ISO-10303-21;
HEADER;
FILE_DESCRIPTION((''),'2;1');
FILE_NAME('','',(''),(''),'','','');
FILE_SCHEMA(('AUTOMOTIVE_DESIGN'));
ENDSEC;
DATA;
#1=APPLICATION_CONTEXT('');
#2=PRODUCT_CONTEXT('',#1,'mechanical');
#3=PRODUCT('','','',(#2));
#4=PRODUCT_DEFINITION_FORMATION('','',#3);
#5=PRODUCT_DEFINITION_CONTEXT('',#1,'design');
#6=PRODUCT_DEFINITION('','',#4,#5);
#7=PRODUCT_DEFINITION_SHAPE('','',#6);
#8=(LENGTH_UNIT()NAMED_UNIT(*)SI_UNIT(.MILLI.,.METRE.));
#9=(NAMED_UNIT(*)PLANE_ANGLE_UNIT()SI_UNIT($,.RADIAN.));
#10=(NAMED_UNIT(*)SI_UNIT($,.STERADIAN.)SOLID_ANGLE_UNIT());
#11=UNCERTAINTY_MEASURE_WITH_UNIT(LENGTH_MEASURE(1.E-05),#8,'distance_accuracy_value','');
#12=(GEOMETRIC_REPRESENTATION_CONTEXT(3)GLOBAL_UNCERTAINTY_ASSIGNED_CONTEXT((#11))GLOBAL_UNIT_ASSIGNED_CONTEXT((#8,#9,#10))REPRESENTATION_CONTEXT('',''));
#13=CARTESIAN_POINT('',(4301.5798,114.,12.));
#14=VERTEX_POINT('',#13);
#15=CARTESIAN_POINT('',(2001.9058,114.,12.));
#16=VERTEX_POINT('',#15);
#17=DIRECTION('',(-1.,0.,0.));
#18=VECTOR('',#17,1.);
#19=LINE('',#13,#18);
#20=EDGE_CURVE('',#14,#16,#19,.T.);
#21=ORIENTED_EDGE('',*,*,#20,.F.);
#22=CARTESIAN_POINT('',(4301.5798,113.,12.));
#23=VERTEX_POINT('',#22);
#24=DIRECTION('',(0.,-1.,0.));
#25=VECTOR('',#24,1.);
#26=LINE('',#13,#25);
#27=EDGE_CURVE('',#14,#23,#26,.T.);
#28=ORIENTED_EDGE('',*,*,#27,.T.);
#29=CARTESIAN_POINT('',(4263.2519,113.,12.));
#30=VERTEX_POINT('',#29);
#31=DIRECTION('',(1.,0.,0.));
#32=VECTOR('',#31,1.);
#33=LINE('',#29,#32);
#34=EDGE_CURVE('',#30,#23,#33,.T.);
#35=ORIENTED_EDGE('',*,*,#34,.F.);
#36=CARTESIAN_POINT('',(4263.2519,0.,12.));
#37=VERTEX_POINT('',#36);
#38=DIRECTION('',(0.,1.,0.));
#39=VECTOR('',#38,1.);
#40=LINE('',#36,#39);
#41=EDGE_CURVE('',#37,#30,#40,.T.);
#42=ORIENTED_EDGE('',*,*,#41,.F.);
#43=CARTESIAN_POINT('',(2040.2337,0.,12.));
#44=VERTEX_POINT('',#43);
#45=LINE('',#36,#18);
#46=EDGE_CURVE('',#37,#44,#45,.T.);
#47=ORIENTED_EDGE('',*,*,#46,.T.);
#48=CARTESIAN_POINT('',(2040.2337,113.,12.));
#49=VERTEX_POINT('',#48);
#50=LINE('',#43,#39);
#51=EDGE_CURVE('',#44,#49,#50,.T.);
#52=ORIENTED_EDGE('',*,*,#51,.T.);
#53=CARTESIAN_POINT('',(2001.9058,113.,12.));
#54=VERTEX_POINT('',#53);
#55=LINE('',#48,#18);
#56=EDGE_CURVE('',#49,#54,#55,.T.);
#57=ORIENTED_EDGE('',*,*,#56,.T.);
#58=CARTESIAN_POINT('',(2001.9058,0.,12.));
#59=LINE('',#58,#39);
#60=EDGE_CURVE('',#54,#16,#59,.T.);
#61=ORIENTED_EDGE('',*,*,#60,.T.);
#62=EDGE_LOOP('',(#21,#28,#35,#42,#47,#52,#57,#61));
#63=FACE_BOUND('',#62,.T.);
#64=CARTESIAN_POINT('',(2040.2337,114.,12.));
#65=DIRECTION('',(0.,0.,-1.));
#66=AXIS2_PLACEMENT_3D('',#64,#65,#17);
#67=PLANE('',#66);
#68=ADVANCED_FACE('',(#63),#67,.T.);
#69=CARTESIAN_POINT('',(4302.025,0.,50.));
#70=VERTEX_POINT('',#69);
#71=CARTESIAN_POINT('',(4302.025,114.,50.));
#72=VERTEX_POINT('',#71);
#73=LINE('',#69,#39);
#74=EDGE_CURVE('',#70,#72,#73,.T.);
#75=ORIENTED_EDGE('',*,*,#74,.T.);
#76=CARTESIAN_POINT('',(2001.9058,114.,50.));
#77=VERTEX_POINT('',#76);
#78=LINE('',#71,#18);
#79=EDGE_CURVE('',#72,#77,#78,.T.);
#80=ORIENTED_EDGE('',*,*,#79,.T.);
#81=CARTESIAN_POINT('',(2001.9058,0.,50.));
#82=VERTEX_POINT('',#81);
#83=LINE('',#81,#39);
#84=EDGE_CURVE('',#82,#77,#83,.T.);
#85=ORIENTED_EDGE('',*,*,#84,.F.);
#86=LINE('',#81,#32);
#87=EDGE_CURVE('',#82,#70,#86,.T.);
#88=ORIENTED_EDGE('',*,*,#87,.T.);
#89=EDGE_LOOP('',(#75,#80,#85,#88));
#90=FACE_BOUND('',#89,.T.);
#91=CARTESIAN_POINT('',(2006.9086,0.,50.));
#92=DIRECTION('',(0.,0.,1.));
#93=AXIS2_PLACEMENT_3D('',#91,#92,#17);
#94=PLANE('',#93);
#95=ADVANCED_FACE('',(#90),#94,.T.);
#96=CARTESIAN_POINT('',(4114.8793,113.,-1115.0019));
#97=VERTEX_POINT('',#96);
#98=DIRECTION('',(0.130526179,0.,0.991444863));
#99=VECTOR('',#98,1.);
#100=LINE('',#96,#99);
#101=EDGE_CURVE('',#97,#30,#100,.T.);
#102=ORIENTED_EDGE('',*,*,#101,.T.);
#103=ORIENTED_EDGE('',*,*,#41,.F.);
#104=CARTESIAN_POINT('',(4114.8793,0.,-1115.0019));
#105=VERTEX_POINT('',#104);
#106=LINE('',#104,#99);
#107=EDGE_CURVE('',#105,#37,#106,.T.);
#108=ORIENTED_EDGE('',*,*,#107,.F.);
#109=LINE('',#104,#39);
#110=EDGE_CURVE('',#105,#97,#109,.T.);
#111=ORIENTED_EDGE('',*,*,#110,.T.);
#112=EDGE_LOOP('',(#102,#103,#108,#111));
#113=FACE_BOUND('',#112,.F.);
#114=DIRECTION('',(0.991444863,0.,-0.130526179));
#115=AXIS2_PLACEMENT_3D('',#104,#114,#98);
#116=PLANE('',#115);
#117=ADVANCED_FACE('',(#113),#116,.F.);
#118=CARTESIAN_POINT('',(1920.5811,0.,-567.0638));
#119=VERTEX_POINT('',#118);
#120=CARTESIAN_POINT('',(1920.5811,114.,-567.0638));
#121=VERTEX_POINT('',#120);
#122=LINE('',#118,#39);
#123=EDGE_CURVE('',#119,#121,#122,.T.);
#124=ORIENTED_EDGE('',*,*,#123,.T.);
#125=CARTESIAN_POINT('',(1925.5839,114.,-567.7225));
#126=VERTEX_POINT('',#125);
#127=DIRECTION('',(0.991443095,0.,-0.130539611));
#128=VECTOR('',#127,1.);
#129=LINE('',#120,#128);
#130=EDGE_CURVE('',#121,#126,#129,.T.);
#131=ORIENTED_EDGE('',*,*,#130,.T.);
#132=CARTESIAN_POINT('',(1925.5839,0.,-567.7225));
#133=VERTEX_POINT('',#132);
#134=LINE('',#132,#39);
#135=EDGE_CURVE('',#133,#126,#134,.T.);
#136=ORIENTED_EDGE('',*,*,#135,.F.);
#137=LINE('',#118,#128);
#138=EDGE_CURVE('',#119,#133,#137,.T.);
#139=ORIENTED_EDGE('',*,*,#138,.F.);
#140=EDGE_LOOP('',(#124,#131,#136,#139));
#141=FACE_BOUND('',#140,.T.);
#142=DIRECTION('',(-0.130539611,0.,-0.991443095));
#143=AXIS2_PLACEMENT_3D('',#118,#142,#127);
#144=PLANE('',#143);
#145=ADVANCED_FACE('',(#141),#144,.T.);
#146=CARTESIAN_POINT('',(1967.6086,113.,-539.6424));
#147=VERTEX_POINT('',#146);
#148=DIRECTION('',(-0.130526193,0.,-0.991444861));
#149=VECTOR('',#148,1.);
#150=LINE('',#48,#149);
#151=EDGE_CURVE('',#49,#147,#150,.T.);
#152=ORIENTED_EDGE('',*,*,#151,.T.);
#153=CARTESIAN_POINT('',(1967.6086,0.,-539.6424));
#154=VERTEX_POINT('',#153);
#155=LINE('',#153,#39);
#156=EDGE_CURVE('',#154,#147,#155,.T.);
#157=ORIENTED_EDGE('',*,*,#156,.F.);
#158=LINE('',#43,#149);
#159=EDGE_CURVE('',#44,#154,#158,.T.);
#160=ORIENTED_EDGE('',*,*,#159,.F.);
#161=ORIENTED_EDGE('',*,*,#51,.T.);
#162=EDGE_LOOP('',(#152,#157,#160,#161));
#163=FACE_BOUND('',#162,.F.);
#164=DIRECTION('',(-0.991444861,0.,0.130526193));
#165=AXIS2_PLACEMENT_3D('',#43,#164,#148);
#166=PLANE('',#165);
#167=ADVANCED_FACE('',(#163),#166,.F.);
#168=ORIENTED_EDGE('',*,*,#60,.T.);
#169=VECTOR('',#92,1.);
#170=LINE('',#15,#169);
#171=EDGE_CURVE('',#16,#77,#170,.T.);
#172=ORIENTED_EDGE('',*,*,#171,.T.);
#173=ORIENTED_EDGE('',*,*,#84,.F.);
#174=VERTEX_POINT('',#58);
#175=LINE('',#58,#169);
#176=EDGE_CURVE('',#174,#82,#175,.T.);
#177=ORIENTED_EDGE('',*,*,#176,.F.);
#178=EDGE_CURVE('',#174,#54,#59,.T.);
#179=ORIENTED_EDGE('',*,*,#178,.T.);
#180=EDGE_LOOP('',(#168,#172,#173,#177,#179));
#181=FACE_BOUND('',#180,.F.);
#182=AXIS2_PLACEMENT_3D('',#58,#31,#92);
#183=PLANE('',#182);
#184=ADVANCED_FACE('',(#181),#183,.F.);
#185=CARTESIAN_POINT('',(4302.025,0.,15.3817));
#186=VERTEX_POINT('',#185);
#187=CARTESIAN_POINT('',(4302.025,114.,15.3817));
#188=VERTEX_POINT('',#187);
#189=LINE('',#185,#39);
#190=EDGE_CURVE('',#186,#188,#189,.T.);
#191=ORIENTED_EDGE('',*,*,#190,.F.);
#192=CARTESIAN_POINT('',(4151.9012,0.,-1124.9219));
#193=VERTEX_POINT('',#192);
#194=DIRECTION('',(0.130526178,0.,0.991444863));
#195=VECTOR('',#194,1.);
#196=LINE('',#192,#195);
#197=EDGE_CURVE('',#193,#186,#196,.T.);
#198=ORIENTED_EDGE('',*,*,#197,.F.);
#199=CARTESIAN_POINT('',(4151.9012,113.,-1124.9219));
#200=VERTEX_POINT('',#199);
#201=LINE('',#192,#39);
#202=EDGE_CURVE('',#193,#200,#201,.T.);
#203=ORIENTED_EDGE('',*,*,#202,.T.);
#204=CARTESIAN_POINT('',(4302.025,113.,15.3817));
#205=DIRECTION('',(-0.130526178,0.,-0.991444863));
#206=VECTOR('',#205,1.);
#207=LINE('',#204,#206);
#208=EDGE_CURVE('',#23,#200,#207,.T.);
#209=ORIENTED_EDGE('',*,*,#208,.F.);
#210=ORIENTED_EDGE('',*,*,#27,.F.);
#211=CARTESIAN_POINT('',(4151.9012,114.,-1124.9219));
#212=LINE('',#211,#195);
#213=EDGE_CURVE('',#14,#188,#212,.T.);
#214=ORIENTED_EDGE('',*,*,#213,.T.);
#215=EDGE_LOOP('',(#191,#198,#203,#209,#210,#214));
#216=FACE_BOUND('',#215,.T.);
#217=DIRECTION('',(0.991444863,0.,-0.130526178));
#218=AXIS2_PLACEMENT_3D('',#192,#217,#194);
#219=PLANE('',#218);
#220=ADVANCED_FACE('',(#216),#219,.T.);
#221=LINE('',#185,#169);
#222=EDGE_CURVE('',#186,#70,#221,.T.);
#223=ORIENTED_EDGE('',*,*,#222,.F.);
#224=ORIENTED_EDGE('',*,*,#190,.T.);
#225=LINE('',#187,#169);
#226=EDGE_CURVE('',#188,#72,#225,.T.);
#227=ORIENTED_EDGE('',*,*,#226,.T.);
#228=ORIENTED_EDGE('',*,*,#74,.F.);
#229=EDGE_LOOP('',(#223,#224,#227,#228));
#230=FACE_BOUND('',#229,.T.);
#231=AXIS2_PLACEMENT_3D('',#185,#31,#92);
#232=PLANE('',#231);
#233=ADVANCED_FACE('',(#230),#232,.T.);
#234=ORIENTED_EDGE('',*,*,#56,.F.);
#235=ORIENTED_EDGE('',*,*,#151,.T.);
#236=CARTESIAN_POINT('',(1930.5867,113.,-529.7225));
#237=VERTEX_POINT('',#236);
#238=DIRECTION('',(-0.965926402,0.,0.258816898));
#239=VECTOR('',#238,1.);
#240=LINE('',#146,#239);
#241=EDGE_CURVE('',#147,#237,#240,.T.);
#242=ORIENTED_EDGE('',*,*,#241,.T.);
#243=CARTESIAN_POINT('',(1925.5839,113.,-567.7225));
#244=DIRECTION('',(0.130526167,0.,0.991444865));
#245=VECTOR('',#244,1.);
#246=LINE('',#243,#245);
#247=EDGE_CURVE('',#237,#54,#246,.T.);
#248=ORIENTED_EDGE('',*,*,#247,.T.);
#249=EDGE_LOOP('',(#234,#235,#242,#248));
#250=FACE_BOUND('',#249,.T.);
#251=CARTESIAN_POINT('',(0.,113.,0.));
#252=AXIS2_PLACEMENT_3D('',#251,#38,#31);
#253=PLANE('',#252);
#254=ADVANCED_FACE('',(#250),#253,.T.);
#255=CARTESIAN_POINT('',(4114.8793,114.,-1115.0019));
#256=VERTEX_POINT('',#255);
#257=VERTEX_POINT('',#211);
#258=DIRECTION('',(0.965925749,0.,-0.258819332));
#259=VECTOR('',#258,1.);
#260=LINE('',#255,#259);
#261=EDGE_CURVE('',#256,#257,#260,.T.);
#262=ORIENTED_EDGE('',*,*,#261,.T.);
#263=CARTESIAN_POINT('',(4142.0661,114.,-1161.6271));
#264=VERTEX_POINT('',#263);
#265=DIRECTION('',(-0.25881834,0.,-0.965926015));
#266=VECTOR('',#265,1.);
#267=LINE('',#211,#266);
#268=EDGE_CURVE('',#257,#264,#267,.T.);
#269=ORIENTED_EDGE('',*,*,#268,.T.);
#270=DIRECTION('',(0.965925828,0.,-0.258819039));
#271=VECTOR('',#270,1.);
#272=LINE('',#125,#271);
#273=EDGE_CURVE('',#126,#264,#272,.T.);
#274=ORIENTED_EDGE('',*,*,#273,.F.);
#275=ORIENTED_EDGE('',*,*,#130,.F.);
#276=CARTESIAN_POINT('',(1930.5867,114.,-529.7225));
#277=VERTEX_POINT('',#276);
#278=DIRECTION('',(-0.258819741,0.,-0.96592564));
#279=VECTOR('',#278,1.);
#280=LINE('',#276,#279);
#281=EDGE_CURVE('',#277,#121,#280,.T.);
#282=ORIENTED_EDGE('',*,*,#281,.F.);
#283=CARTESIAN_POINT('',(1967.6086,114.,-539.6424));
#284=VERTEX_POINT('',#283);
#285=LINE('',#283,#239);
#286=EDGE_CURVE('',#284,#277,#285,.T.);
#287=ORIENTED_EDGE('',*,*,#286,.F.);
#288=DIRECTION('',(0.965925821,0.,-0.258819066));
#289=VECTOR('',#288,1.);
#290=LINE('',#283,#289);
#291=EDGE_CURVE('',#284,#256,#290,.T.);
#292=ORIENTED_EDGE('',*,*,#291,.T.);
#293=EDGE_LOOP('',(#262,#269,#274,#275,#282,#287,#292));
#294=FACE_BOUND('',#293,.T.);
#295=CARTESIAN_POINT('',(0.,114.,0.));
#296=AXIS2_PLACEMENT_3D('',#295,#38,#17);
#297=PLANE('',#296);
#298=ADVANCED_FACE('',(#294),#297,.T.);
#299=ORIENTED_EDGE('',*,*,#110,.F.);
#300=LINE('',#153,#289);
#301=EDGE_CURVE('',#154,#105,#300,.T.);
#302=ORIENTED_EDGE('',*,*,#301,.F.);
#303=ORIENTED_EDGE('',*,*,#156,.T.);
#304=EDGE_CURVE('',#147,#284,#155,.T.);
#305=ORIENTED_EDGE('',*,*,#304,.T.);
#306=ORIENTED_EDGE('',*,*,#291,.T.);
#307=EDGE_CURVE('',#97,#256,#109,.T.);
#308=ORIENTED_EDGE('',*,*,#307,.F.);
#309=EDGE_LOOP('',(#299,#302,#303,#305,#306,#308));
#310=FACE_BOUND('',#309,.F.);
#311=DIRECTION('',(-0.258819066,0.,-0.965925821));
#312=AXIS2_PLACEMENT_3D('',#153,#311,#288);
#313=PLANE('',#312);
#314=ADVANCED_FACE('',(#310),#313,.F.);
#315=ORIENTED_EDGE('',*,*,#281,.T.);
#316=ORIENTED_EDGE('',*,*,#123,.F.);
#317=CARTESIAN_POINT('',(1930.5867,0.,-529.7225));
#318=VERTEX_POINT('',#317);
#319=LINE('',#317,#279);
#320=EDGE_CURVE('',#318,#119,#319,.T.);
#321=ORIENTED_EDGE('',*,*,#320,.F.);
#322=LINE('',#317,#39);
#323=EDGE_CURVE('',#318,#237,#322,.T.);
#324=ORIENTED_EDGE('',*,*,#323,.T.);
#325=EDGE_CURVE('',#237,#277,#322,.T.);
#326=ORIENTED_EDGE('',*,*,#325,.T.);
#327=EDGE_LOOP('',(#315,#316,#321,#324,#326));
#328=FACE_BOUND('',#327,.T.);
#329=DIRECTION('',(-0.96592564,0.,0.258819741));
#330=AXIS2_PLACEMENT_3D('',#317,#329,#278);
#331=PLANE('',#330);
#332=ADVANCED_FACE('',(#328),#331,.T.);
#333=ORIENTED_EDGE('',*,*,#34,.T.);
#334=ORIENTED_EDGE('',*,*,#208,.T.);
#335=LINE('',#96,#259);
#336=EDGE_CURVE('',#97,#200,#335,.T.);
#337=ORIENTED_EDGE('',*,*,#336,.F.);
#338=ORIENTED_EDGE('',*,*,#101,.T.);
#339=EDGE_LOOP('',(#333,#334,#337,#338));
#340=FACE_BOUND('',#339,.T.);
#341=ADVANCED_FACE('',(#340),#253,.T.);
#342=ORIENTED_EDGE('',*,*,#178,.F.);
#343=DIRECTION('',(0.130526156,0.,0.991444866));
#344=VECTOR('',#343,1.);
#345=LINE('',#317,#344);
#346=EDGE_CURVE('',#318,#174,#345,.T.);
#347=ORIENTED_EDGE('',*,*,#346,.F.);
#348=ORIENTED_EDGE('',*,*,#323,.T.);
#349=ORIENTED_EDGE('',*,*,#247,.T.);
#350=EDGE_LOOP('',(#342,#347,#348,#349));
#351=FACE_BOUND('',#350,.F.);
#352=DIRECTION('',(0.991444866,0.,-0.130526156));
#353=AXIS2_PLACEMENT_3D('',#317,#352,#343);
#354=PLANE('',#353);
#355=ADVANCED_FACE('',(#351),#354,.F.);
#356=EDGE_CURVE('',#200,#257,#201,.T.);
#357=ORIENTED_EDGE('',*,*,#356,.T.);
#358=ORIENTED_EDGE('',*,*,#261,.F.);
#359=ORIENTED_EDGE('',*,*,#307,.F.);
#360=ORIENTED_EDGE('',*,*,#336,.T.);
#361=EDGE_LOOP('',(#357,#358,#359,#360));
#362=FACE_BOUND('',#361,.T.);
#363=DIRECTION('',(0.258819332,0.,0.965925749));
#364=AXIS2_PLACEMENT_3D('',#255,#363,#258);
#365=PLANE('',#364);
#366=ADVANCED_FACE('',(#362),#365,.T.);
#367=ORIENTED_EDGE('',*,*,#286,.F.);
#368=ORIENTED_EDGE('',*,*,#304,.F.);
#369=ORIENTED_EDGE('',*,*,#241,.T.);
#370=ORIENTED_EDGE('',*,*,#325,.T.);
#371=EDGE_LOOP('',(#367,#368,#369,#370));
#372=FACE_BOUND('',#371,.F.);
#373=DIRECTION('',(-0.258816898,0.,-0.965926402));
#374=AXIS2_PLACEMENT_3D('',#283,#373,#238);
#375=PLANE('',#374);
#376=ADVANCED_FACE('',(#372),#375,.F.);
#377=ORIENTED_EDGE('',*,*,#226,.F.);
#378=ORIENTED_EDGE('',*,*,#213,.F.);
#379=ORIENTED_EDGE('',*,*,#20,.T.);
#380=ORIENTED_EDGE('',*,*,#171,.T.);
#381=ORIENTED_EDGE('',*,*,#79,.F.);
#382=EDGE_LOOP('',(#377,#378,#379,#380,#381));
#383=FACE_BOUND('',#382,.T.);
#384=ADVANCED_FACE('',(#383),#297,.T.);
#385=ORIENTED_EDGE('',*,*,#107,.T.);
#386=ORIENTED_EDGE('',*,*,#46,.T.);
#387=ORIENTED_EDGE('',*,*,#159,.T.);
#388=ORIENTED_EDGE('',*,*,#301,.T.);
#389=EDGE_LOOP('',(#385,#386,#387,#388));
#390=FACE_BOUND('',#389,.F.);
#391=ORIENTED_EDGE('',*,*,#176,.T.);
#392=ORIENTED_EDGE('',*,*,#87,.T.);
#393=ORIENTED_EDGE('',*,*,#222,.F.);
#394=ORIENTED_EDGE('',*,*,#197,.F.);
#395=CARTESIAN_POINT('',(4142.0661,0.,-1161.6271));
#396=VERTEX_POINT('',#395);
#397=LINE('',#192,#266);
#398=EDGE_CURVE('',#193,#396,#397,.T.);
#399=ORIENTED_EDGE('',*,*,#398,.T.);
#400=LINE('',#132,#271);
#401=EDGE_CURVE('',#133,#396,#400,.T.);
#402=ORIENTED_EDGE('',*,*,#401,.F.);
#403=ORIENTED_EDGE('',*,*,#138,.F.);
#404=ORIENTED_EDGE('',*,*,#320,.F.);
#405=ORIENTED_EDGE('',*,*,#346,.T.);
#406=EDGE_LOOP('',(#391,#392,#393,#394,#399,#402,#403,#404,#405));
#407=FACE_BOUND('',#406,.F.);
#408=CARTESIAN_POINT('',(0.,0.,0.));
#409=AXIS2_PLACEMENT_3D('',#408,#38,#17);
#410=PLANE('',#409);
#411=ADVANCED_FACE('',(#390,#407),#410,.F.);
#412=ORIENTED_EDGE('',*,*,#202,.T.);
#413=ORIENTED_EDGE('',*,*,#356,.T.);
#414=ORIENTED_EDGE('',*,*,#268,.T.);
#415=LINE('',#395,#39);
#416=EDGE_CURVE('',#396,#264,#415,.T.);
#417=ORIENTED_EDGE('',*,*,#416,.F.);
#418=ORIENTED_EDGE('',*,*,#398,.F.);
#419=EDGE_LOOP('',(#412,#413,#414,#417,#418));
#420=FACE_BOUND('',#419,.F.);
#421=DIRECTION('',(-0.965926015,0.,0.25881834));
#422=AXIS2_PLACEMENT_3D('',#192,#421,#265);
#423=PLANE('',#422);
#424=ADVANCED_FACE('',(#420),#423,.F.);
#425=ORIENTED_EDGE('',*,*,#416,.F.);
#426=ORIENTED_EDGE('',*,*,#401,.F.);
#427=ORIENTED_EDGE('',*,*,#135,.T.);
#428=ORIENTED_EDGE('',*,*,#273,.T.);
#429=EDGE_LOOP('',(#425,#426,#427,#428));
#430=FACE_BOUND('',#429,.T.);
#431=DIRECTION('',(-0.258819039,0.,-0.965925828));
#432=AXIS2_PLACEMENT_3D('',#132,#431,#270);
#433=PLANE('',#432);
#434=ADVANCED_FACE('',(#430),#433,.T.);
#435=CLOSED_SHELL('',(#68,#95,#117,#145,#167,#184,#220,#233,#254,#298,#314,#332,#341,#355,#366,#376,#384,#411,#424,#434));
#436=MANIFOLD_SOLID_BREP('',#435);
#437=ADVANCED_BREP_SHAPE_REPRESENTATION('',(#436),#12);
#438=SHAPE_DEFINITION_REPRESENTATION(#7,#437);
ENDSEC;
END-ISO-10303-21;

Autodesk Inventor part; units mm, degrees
ref_plane "YZ Plane" through (0, 0, 0) normal (1, 0, 0) x (0, 1, 0)
ref_plane "XZ Plane" through (0, 0, 0) normal (0, 1, 0) x (-1, 0, 0)
ref_plane "XY Plane" through (0, 0, 0) normal (0, 0, 1) x (1, 0, 0)
sketch "Sketch1" plane through (0, 0, 0) normal (0, 1, 0) x (-1, 0, 0)
  line L0 (0, 0) -> (-4153.4811, -1112.9219) construction
  line L1 (0, 0) -> (4300, 0) construction
  line L2 (-4300, 0) -> (-4200, 0) construction
  line L3 (-2006.9086, 50) -> (-4302.025, 50)
  line L4 (-4153.4811, -1112.9219) -> (-3780.7254, -1112.9219) construction
  line L5 (-1925.5839, -567.7225) -> (-4142.0661, -1161.6271)
  line L6 (-4151.9012, -1124.9219) -> (-4302.025, 15.3817)
  line L7 (-1930.5867, -529.7225) -> (-2001.9058, 12)
  line L8 (-4263.2519, 12) -> (-2040.2337, 12)
  line L9 (-2040.2337, 12) -> (-1967.6086, -539.6424)
  line L10 (-1967.6086, -539.6424) -> (-4114.8793, -1115.0019)
  line L11 (-4114.8793, -1115.0019) -> (-4263.2519, 12)
  line L12 (-2006.9086, 50) -> (-2001.9058, 50)
  line L13 (-2040.2337, 12) -> (-1982.3344, 12) construction
  line L14 (-2001.9058, 12) -> (-2001.9058, 50)
  line L15 (-1967.6086, -539.6424) -> (-1881.5519, -516.5836) construction
  line L16 (-1930.5867, -529.7225) -> (-1920.5811, -567.0638)
  line L17 (-1920.5811, -567.0638) -> (-1925.5839, -567.7225)
  line L18 (-4263.2519, 12) -> (-4318.8305, 12) construction
  line L19 (-4302.025, 15.3817) -> (-4302.025, 50)
  line L20 (-4114.8793, -1115.0019) -> (-4170.6932, -1129.9572) construction
  line L21 (-4151.9012, -1124.9219) -> (-4142.0661, -1161.6271)
  dimension "d0" = 4300
  dimension "d1" = 4300
  dimension "d2" = 165
  dimension "d7" = 50
  dimension "d11" = 38
extrude "Extrusion2" add sketch "Sketch1" along normal blind 114
sketch "Sketch2" plane through (0, 114, 0) normal (0, 1, 0) x (1, 0, 0)
  line L0 (2040.2337, -12) -> (1967.6086, 539.6424) projected
  line L1 (2001.9058, -50) -> (4302.025, -50) projected
  line L2 (4142.0661, 1161.6271) -> (1925.5839, 567.7225) projected
  line L3 (1925.5839, 567.7225) -> (2001.9058, -12) projected
  line L4 (1967.6086, 539.6424) -> (1930.5867, 529.7225)
  line L5 (2040.2337, -12) -> (2001.9058, -12)
  point P0 (2006.9086, -50)
  point P1 (0, 0)
extrude "Extrusion3" cut sketch "Sketch2" against normal blind 1
sketch "Sketch7" plane through (0, 114, 0) normal (0, 1, 0) x (1, 0, 0)
  line L0 (4114.8793, 1115.0019) -> (4263.2519, -12) projected
  line L1 (4302.025, -50) -> (4302.025, -15.3817) projected
  line L2 (4302.025, -15.3817) -> (4151.9012, 1124.9219) projected
  line L3 (1920.5811, 567.0638) -> (1930.5867, 529.7225) projected
  line L4 (4263.2519, -12) -> (4301.5798, -12)
  line L5 (4114.8793, 1115.0019) -> (4151.9012, 1124.9219)
  point P0 (0, 0)
extrude "Extrusion6" cut sketch "Sketch7" against normal blind 1
properties part number "panelBflat" material "Wood (Birch)"
